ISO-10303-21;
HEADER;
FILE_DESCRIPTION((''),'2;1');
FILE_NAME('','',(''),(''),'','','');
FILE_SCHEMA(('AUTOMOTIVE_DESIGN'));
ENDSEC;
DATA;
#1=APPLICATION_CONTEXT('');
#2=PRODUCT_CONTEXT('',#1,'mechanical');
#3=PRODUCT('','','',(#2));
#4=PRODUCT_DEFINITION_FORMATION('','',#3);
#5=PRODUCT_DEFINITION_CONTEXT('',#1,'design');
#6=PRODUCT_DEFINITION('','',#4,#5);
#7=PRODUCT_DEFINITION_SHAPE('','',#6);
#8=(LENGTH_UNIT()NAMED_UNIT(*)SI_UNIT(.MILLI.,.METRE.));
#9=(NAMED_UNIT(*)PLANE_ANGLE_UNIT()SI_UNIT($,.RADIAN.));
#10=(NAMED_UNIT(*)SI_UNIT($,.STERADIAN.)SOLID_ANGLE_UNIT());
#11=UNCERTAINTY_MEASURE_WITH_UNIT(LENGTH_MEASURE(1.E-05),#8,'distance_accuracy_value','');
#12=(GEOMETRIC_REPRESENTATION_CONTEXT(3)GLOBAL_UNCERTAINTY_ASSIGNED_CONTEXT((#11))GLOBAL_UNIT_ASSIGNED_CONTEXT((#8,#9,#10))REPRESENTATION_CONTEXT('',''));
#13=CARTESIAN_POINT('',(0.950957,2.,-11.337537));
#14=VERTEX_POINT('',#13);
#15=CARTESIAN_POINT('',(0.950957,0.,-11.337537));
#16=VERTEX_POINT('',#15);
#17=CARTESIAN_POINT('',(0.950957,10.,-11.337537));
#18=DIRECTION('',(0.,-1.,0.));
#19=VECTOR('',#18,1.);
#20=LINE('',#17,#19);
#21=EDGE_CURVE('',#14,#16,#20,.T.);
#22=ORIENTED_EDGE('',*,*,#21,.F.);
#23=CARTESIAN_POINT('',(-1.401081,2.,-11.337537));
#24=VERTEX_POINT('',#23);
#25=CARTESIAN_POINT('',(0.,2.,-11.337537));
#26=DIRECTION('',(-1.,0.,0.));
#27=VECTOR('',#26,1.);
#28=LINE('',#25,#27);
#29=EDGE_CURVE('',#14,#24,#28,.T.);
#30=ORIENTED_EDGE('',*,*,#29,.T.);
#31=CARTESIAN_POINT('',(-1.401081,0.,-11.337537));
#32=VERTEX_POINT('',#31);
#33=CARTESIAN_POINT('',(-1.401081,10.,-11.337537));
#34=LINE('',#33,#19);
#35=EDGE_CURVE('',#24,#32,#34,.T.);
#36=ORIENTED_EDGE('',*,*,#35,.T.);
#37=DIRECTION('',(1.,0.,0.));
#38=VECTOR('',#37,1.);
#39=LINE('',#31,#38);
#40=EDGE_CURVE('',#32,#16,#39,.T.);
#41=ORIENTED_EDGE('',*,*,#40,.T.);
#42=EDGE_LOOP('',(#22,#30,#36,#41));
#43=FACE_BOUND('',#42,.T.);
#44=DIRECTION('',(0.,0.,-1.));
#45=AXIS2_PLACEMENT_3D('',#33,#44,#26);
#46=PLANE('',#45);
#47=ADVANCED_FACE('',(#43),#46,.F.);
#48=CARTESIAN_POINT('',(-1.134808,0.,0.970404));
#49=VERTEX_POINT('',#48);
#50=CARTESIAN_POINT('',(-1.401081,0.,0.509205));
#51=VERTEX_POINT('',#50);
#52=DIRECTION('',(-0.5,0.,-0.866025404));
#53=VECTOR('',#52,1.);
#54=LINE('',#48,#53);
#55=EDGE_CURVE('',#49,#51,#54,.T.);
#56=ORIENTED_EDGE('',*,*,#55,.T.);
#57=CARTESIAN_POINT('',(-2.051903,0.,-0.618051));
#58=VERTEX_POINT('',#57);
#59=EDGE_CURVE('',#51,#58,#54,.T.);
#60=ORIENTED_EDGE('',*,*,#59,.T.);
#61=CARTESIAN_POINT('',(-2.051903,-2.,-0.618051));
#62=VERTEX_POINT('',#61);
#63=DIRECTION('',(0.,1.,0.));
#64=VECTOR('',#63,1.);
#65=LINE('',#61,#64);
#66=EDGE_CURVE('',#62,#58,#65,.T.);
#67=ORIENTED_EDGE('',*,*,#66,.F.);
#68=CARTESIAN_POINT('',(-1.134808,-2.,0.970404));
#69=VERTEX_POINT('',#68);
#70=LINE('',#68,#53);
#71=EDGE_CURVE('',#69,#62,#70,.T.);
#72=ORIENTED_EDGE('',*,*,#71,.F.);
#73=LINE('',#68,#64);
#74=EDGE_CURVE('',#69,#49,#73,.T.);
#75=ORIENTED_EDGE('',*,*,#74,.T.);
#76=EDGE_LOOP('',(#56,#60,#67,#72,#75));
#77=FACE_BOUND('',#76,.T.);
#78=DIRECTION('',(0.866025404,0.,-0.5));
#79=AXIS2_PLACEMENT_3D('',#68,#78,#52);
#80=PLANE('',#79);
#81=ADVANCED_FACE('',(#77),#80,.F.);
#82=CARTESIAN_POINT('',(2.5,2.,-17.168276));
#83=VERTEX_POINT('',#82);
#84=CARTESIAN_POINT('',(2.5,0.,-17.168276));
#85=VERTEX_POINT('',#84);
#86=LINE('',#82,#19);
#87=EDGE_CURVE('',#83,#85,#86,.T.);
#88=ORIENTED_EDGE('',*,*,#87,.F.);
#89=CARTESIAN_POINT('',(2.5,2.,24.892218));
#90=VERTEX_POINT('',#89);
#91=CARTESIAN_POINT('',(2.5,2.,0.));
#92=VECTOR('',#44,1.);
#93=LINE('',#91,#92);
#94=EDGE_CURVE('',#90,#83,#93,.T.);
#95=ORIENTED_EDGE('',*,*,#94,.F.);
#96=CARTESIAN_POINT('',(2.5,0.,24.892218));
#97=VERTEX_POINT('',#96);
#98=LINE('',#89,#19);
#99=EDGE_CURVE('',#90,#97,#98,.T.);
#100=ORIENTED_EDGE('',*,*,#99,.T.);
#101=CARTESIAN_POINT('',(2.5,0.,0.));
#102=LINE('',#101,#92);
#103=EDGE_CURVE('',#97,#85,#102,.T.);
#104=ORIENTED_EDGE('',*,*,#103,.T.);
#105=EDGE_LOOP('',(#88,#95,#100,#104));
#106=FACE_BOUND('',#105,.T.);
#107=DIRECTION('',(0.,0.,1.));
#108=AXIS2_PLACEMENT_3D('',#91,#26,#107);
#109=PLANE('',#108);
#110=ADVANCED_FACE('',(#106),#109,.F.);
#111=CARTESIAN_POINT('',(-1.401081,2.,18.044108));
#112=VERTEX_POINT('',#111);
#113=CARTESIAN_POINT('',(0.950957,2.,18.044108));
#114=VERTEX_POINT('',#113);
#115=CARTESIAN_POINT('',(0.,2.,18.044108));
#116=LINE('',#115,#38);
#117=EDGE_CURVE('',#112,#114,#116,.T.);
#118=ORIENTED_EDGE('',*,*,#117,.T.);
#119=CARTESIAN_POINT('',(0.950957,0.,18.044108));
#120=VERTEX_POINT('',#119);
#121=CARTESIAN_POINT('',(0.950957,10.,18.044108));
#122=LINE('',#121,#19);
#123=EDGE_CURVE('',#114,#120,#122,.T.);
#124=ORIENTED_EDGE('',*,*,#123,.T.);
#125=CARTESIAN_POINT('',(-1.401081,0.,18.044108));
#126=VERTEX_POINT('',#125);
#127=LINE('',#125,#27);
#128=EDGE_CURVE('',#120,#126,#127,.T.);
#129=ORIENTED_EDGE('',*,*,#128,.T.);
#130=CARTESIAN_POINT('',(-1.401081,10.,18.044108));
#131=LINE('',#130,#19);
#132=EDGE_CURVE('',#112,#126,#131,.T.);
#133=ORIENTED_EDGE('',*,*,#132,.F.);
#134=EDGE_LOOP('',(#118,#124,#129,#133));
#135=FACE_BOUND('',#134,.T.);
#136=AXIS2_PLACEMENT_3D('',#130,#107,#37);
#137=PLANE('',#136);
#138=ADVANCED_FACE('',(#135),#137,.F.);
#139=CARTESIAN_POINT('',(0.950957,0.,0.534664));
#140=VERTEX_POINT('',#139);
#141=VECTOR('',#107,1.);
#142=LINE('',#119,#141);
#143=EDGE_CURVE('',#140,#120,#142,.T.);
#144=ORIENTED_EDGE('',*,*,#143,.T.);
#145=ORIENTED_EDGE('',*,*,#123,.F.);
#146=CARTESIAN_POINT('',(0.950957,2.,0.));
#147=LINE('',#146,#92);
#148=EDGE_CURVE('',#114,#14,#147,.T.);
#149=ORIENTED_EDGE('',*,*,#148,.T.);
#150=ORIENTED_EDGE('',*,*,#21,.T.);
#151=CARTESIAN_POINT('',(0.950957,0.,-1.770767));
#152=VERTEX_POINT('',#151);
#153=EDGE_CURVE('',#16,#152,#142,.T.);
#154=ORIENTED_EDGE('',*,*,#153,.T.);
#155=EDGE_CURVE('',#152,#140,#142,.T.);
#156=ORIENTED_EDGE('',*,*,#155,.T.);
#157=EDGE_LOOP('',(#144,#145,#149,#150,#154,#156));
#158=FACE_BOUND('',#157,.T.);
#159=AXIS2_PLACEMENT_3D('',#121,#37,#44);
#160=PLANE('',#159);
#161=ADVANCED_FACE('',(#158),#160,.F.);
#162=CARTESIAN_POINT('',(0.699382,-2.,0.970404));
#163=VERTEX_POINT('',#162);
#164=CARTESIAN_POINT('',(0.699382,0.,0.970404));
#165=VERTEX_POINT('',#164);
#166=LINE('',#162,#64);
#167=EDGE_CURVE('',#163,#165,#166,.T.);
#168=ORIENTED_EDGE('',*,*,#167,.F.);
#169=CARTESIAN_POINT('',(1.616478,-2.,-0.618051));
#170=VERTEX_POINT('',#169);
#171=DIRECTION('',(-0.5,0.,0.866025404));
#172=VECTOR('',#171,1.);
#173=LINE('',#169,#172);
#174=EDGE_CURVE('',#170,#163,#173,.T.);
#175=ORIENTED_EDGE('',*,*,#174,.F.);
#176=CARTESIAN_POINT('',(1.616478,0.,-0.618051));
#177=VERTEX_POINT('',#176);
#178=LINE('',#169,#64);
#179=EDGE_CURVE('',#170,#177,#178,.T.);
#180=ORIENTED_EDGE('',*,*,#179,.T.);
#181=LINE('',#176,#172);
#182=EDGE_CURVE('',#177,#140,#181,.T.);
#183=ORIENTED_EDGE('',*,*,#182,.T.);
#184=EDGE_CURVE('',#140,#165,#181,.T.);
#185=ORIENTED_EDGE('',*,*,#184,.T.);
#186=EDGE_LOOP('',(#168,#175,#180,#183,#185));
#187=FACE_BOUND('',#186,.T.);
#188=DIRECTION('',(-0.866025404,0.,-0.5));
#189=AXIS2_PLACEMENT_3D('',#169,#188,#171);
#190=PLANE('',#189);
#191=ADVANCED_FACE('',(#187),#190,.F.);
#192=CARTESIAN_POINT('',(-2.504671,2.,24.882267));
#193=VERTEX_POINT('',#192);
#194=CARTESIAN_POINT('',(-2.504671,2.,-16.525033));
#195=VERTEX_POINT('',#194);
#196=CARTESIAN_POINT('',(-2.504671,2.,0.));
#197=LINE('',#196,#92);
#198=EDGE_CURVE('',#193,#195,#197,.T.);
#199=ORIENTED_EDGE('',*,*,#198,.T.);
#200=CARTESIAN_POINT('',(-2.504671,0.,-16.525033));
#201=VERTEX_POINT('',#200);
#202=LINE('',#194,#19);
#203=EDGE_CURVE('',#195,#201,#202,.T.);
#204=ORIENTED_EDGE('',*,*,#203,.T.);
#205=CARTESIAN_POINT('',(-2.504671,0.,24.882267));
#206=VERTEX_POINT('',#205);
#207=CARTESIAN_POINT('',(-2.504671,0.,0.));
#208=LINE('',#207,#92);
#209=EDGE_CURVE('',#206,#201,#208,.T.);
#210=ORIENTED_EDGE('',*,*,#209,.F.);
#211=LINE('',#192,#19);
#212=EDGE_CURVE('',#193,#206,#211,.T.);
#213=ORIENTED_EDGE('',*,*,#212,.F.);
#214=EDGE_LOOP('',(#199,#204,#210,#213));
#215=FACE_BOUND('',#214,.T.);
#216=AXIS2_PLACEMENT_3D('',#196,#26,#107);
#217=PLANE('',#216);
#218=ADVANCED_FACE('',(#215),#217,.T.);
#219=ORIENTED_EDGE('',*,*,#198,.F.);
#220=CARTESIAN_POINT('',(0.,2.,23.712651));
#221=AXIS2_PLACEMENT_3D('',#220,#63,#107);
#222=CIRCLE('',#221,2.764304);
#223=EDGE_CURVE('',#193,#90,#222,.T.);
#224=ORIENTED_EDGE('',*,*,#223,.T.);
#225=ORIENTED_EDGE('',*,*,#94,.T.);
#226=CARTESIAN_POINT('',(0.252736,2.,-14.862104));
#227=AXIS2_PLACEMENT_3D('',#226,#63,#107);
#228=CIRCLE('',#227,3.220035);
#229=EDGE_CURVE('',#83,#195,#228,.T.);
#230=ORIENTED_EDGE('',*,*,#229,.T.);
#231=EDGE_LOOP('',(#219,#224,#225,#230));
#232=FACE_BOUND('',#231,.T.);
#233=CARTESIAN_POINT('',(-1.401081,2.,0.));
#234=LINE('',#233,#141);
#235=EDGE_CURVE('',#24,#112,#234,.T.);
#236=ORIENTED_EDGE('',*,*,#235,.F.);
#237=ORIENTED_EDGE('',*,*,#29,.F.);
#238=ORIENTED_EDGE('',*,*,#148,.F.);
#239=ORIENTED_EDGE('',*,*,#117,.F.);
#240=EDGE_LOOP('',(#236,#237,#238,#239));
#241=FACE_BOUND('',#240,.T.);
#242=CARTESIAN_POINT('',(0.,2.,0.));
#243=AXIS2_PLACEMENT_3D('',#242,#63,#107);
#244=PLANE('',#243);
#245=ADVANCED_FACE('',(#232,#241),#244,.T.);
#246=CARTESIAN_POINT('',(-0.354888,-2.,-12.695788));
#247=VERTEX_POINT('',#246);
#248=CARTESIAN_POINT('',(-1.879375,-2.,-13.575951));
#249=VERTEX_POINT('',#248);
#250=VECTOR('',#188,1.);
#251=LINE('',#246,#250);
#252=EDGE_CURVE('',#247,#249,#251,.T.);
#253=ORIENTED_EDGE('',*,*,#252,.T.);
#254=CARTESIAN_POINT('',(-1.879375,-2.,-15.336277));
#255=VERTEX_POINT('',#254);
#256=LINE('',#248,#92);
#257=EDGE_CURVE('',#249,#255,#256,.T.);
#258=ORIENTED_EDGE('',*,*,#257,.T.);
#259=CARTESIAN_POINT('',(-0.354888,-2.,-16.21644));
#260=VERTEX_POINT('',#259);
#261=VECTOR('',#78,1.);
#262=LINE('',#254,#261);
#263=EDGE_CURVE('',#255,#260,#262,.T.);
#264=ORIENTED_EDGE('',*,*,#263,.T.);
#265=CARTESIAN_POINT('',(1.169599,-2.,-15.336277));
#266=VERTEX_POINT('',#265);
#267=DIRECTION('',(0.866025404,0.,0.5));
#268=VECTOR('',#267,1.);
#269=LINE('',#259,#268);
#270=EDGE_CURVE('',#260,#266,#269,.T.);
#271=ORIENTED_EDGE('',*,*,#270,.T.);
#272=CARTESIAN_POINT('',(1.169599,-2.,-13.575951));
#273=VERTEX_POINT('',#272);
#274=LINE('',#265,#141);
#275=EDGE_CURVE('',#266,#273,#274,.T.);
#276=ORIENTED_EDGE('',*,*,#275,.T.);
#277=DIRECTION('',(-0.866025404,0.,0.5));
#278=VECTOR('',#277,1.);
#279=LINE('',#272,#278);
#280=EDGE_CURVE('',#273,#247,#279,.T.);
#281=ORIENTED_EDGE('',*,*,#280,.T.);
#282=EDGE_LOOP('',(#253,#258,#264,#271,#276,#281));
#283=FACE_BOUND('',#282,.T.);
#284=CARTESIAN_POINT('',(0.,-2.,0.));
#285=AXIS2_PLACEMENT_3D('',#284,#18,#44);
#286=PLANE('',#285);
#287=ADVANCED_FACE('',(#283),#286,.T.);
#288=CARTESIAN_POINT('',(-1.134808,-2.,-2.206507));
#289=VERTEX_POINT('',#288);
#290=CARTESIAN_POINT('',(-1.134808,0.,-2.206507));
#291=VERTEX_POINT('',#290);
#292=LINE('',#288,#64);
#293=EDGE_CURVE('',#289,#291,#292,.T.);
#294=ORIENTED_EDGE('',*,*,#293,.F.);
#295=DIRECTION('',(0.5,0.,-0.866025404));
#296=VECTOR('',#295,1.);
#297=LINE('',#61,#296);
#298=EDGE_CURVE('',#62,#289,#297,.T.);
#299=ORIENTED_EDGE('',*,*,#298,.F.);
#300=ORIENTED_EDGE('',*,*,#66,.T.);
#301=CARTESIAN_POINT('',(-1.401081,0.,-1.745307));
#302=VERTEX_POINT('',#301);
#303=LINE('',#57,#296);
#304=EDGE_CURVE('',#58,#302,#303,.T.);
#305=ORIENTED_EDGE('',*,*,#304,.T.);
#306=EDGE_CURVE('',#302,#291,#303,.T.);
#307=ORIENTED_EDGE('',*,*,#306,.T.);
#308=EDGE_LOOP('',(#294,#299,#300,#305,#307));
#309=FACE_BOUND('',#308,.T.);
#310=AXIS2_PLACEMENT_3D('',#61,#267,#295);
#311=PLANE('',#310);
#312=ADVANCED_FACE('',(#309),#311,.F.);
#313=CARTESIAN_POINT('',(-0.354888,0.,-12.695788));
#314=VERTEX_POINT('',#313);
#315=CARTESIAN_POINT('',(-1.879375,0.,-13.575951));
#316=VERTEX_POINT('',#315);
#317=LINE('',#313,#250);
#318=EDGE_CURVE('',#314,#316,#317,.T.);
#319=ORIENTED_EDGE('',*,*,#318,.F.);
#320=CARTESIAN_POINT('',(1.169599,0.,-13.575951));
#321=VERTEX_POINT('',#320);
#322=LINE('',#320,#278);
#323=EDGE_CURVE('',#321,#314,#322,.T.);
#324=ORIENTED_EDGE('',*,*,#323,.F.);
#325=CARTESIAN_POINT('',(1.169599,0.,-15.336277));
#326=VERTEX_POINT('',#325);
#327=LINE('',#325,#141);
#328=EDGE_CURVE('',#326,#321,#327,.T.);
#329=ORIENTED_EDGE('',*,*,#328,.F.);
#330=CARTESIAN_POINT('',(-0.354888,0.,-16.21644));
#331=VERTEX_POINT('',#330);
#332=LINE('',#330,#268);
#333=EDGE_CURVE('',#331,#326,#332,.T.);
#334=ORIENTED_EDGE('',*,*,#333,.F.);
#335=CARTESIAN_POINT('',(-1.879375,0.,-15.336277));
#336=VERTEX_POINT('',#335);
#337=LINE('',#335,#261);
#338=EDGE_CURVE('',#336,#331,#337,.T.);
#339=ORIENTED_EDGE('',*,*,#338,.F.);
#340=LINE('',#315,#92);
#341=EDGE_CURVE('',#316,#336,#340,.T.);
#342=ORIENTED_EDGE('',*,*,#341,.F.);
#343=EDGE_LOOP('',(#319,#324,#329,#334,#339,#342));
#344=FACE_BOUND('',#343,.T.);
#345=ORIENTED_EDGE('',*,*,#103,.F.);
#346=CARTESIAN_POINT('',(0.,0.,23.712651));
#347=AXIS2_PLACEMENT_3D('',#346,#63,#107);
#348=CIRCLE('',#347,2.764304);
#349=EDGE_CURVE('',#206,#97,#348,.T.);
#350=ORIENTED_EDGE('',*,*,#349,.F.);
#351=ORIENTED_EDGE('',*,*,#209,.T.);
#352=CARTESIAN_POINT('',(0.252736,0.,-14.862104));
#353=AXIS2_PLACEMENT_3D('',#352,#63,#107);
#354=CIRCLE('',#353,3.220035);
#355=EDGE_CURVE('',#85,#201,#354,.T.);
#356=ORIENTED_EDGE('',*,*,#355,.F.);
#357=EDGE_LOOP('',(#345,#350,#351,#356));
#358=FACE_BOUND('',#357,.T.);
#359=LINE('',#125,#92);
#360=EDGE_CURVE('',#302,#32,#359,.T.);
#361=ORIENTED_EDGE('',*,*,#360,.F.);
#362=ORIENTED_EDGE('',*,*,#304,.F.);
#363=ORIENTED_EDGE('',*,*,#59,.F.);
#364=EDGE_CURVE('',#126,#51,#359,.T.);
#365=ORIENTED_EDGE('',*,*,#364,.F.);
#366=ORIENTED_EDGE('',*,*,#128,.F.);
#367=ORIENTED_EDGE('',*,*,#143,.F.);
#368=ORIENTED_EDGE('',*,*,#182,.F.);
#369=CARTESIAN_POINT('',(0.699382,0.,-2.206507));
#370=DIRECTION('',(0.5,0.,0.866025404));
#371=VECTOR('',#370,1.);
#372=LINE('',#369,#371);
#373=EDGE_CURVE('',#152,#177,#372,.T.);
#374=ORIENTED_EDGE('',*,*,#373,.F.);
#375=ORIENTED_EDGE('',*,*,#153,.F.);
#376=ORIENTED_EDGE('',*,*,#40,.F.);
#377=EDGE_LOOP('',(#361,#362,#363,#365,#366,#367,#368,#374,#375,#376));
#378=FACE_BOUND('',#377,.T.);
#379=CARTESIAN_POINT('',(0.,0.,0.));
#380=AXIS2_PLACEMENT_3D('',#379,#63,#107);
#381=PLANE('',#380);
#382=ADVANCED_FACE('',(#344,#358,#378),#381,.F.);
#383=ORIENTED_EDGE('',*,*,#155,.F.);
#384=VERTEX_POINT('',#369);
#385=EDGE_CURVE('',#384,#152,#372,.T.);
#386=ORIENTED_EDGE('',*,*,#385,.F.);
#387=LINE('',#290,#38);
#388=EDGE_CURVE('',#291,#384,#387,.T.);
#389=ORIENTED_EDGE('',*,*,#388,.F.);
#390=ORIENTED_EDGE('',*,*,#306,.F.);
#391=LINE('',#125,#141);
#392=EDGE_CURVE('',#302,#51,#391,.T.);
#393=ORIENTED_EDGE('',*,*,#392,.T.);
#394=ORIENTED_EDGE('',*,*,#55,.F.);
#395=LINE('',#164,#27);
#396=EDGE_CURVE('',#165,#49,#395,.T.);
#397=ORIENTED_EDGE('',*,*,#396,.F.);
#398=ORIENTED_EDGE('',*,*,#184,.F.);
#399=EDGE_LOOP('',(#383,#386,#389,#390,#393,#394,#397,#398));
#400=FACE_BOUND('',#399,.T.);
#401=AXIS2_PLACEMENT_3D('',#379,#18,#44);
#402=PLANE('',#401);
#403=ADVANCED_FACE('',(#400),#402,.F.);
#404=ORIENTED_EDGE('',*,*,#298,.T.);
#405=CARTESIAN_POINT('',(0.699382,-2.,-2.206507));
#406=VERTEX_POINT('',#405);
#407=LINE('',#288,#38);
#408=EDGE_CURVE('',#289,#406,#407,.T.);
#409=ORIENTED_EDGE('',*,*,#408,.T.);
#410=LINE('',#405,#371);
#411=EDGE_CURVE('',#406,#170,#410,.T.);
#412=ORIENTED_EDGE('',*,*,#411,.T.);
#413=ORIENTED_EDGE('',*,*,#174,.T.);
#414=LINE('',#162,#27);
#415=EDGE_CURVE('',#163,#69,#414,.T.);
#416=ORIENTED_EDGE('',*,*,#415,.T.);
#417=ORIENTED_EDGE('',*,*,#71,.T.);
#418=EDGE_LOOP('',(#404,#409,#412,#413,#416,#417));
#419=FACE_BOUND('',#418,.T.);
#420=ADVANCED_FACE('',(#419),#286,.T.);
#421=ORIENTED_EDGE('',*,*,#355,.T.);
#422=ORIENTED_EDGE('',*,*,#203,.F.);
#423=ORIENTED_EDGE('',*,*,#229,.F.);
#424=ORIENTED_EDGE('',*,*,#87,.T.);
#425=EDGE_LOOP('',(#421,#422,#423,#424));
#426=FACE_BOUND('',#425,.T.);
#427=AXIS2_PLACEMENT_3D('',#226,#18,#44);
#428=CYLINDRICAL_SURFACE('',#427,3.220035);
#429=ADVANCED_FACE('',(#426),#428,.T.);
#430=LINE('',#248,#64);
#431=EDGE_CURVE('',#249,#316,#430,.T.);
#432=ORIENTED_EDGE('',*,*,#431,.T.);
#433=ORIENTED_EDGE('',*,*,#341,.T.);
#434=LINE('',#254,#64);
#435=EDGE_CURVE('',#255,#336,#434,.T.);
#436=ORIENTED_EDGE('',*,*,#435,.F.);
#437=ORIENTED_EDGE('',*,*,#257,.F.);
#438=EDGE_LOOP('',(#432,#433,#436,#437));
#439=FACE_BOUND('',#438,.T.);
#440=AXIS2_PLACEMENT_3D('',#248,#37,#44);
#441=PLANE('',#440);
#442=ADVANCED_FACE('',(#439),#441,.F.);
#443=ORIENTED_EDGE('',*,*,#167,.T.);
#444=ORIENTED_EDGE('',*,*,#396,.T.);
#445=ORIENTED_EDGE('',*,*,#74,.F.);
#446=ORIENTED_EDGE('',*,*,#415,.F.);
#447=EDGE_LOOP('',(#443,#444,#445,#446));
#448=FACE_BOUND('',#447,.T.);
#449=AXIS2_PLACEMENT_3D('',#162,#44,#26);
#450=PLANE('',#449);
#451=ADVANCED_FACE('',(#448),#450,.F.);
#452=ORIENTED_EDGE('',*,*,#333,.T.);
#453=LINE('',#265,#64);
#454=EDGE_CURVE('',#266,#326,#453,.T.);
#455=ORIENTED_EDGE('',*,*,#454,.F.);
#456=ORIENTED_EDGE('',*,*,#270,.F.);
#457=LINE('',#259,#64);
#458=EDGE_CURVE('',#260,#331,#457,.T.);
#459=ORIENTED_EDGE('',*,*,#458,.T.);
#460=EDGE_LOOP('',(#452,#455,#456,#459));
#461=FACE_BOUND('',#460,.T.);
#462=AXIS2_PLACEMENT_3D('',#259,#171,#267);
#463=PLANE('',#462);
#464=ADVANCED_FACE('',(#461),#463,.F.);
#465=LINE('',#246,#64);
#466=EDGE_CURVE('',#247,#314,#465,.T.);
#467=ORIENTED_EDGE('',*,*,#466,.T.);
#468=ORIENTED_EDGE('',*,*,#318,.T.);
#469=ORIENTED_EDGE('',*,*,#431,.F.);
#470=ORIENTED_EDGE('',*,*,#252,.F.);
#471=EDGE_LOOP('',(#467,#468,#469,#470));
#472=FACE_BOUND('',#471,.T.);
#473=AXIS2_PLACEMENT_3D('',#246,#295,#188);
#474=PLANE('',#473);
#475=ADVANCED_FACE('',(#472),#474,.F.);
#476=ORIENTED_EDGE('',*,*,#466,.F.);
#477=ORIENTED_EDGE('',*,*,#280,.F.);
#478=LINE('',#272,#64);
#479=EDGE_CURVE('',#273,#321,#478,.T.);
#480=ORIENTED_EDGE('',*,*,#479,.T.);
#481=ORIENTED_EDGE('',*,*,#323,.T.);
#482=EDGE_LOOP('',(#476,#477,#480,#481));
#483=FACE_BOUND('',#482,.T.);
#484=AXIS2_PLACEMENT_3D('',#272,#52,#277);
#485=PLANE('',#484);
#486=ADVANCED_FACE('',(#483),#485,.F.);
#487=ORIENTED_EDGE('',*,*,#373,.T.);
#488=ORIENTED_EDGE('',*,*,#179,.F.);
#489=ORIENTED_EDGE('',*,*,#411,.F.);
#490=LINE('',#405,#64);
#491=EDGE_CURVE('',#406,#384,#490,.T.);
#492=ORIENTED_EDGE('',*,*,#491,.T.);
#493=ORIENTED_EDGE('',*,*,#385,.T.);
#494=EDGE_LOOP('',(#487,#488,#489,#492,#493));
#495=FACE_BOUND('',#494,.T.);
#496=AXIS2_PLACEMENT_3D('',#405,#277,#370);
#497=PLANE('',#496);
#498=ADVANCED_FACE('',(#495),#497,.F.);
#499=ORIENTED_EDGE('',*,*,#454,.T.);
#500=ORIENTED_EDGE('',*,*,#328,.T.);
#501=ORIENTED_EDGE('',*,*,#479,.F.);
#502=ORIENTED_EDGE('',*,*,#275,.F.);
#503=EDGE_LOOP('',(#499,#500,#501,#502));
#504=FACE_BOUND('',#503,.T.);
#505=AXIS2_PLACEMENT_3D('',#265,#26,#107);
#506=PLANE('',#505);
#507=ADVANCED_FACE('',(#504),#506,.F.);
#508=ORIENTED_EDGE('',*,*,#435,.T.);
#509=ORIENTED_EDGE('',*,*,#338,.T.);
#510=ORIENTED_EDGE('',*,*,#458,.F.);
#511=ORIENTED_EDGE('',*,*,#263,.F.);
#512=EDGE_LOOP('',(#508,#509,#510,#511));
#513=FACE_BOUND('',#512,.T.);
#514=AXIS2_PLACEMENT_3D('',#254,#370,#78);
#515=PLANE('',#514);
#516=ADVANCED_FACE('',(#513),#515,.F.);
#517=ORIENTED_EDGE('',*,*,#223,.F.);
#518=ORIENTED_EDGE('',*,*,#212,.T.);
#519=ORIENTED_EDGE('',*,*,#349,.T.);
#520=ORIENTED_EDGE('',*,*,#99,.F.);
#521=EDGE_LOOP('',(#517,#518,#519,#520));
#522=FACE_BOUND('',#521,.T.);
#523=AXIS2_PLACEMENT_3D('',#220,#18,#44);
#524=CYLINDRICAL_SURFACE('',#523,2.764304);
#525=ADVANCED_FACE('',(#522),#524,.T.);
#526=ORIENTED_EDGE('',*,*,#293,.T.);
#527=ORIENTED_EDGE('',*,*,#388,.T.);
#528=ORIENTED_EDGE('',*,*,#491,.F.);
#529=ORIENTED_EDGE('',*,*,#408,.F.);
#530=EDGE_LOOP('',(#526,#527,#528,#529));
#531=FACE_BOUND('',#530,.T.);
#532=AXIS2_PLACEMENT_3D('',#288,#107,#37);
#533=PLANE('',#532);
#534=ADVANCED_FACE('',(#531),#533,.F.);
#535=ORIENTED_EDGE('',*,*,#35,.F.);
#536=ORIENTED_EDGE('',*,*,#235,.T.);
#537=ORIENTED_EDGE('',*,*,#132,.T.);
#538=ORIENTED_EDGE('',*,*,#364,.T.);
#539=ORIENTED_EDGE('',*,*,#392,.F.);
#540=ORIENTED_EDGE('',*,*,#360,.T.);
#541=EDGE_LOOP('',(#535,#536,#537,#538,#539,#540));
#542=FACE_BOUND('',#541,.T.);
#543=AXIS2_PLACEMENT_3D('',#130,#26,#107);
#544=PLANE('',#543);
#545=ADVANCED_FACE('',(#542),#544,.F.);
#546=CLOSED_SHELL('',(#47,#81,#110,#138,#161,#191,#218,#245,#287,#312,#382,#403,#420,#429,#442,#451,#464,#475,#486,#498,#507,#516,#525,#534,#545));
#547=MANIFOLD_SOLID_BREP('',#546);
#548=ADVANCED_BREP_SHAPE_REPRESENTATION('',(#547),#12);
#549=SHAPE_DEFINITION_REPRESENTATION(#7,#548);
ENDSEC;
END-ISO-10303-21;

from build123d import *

# Parameters (mm, degrees)
BOSS_EXTRUDE1_DEPTH = 2
SKETCH3_W           = 2.352038348
SKETCH3_H           = 29.381645189
CUT_EXTRUDE1_DEPTH  = 10
BOSS_EXTRUDE6_DEPTH = 2
BOSS_EXTRUDE9_DEPTH = 2


with BuildPart() as part:
    # Sketch1 → Boss-Extrude1 (new body)
    with BuildSketch(Plane(origin=(0, 0, 0), x_dir=(1, 0, 0), z_dir=(0, 1, 0))):
        with BuildLine():
            Line((2.5, -24.892218109), (2.5, 17.168276032))
            ThreePointArc((2.5, 17.168276032), (-0.157753681, 18.055867427), (-2.504670814, 16.525033312))
            Line((-2.504670814, 16.525033312), (-2.504670814, -24.882267467))
            ThreePointArc((-2.504670814, -24.882267467), (-0.005496175, -26.4769499), (2.5, -24.892218109))
        make_face()
    extrude(amount=BOSS_EXTRUDE1_DEPTH)

    # Sketch3 → Cut-Extrude1 (cut)
    with BuildSketch(Plane(origin=(0, 0, 0), x_dir=(-1, 0, 0), z_dir=(0, -1, 0))):
        with Locations((0.225062248, -3.353285415)):
            Rectangle(SKETCH3_W, SKETCH3_H)
    extrude(amount=-CUT_EXTRUDE1_DEPTH, mode=Mode.SUBTRACT)

    # Sketch8 → Boss-Extrude6 (add)
    with BuildSketch(Plane(origin=(0, 0, 0), x_dir=(-1, 0, 0), z_dir=(0, -1, 0))):
        Polygon((0.354887885, 16.216439576), (-1.169599114, 15.336276597), (-1.169599114, 13.575950638), (0.354887885, 12.695787659), (1.879374884, 13.575950638), (1.879374884, 15.336276597), align=None)
    extrude(amount=BOSS_EXTRUDE6_DEPTH)

    # Sketch9 → Boss-Extrude9 (add)
    with BuildSketch(Plane(origin=(0, 0, 0), x_dir=(-1, 0, 0), z_dir=(0, -1, 0))):
        Polygon((-1.616477648, 0.618051223), (-0.699382455, -0.970404247), (1.13480793, -0.970404247), (2.051903123, 0.618051223), (1.13480793, 2.206506692), (-0.699382455, 2.206506692), align=None)
    extrude(amount=BOSS_EXTRUDE9_DEPTH)


solid = part.part
